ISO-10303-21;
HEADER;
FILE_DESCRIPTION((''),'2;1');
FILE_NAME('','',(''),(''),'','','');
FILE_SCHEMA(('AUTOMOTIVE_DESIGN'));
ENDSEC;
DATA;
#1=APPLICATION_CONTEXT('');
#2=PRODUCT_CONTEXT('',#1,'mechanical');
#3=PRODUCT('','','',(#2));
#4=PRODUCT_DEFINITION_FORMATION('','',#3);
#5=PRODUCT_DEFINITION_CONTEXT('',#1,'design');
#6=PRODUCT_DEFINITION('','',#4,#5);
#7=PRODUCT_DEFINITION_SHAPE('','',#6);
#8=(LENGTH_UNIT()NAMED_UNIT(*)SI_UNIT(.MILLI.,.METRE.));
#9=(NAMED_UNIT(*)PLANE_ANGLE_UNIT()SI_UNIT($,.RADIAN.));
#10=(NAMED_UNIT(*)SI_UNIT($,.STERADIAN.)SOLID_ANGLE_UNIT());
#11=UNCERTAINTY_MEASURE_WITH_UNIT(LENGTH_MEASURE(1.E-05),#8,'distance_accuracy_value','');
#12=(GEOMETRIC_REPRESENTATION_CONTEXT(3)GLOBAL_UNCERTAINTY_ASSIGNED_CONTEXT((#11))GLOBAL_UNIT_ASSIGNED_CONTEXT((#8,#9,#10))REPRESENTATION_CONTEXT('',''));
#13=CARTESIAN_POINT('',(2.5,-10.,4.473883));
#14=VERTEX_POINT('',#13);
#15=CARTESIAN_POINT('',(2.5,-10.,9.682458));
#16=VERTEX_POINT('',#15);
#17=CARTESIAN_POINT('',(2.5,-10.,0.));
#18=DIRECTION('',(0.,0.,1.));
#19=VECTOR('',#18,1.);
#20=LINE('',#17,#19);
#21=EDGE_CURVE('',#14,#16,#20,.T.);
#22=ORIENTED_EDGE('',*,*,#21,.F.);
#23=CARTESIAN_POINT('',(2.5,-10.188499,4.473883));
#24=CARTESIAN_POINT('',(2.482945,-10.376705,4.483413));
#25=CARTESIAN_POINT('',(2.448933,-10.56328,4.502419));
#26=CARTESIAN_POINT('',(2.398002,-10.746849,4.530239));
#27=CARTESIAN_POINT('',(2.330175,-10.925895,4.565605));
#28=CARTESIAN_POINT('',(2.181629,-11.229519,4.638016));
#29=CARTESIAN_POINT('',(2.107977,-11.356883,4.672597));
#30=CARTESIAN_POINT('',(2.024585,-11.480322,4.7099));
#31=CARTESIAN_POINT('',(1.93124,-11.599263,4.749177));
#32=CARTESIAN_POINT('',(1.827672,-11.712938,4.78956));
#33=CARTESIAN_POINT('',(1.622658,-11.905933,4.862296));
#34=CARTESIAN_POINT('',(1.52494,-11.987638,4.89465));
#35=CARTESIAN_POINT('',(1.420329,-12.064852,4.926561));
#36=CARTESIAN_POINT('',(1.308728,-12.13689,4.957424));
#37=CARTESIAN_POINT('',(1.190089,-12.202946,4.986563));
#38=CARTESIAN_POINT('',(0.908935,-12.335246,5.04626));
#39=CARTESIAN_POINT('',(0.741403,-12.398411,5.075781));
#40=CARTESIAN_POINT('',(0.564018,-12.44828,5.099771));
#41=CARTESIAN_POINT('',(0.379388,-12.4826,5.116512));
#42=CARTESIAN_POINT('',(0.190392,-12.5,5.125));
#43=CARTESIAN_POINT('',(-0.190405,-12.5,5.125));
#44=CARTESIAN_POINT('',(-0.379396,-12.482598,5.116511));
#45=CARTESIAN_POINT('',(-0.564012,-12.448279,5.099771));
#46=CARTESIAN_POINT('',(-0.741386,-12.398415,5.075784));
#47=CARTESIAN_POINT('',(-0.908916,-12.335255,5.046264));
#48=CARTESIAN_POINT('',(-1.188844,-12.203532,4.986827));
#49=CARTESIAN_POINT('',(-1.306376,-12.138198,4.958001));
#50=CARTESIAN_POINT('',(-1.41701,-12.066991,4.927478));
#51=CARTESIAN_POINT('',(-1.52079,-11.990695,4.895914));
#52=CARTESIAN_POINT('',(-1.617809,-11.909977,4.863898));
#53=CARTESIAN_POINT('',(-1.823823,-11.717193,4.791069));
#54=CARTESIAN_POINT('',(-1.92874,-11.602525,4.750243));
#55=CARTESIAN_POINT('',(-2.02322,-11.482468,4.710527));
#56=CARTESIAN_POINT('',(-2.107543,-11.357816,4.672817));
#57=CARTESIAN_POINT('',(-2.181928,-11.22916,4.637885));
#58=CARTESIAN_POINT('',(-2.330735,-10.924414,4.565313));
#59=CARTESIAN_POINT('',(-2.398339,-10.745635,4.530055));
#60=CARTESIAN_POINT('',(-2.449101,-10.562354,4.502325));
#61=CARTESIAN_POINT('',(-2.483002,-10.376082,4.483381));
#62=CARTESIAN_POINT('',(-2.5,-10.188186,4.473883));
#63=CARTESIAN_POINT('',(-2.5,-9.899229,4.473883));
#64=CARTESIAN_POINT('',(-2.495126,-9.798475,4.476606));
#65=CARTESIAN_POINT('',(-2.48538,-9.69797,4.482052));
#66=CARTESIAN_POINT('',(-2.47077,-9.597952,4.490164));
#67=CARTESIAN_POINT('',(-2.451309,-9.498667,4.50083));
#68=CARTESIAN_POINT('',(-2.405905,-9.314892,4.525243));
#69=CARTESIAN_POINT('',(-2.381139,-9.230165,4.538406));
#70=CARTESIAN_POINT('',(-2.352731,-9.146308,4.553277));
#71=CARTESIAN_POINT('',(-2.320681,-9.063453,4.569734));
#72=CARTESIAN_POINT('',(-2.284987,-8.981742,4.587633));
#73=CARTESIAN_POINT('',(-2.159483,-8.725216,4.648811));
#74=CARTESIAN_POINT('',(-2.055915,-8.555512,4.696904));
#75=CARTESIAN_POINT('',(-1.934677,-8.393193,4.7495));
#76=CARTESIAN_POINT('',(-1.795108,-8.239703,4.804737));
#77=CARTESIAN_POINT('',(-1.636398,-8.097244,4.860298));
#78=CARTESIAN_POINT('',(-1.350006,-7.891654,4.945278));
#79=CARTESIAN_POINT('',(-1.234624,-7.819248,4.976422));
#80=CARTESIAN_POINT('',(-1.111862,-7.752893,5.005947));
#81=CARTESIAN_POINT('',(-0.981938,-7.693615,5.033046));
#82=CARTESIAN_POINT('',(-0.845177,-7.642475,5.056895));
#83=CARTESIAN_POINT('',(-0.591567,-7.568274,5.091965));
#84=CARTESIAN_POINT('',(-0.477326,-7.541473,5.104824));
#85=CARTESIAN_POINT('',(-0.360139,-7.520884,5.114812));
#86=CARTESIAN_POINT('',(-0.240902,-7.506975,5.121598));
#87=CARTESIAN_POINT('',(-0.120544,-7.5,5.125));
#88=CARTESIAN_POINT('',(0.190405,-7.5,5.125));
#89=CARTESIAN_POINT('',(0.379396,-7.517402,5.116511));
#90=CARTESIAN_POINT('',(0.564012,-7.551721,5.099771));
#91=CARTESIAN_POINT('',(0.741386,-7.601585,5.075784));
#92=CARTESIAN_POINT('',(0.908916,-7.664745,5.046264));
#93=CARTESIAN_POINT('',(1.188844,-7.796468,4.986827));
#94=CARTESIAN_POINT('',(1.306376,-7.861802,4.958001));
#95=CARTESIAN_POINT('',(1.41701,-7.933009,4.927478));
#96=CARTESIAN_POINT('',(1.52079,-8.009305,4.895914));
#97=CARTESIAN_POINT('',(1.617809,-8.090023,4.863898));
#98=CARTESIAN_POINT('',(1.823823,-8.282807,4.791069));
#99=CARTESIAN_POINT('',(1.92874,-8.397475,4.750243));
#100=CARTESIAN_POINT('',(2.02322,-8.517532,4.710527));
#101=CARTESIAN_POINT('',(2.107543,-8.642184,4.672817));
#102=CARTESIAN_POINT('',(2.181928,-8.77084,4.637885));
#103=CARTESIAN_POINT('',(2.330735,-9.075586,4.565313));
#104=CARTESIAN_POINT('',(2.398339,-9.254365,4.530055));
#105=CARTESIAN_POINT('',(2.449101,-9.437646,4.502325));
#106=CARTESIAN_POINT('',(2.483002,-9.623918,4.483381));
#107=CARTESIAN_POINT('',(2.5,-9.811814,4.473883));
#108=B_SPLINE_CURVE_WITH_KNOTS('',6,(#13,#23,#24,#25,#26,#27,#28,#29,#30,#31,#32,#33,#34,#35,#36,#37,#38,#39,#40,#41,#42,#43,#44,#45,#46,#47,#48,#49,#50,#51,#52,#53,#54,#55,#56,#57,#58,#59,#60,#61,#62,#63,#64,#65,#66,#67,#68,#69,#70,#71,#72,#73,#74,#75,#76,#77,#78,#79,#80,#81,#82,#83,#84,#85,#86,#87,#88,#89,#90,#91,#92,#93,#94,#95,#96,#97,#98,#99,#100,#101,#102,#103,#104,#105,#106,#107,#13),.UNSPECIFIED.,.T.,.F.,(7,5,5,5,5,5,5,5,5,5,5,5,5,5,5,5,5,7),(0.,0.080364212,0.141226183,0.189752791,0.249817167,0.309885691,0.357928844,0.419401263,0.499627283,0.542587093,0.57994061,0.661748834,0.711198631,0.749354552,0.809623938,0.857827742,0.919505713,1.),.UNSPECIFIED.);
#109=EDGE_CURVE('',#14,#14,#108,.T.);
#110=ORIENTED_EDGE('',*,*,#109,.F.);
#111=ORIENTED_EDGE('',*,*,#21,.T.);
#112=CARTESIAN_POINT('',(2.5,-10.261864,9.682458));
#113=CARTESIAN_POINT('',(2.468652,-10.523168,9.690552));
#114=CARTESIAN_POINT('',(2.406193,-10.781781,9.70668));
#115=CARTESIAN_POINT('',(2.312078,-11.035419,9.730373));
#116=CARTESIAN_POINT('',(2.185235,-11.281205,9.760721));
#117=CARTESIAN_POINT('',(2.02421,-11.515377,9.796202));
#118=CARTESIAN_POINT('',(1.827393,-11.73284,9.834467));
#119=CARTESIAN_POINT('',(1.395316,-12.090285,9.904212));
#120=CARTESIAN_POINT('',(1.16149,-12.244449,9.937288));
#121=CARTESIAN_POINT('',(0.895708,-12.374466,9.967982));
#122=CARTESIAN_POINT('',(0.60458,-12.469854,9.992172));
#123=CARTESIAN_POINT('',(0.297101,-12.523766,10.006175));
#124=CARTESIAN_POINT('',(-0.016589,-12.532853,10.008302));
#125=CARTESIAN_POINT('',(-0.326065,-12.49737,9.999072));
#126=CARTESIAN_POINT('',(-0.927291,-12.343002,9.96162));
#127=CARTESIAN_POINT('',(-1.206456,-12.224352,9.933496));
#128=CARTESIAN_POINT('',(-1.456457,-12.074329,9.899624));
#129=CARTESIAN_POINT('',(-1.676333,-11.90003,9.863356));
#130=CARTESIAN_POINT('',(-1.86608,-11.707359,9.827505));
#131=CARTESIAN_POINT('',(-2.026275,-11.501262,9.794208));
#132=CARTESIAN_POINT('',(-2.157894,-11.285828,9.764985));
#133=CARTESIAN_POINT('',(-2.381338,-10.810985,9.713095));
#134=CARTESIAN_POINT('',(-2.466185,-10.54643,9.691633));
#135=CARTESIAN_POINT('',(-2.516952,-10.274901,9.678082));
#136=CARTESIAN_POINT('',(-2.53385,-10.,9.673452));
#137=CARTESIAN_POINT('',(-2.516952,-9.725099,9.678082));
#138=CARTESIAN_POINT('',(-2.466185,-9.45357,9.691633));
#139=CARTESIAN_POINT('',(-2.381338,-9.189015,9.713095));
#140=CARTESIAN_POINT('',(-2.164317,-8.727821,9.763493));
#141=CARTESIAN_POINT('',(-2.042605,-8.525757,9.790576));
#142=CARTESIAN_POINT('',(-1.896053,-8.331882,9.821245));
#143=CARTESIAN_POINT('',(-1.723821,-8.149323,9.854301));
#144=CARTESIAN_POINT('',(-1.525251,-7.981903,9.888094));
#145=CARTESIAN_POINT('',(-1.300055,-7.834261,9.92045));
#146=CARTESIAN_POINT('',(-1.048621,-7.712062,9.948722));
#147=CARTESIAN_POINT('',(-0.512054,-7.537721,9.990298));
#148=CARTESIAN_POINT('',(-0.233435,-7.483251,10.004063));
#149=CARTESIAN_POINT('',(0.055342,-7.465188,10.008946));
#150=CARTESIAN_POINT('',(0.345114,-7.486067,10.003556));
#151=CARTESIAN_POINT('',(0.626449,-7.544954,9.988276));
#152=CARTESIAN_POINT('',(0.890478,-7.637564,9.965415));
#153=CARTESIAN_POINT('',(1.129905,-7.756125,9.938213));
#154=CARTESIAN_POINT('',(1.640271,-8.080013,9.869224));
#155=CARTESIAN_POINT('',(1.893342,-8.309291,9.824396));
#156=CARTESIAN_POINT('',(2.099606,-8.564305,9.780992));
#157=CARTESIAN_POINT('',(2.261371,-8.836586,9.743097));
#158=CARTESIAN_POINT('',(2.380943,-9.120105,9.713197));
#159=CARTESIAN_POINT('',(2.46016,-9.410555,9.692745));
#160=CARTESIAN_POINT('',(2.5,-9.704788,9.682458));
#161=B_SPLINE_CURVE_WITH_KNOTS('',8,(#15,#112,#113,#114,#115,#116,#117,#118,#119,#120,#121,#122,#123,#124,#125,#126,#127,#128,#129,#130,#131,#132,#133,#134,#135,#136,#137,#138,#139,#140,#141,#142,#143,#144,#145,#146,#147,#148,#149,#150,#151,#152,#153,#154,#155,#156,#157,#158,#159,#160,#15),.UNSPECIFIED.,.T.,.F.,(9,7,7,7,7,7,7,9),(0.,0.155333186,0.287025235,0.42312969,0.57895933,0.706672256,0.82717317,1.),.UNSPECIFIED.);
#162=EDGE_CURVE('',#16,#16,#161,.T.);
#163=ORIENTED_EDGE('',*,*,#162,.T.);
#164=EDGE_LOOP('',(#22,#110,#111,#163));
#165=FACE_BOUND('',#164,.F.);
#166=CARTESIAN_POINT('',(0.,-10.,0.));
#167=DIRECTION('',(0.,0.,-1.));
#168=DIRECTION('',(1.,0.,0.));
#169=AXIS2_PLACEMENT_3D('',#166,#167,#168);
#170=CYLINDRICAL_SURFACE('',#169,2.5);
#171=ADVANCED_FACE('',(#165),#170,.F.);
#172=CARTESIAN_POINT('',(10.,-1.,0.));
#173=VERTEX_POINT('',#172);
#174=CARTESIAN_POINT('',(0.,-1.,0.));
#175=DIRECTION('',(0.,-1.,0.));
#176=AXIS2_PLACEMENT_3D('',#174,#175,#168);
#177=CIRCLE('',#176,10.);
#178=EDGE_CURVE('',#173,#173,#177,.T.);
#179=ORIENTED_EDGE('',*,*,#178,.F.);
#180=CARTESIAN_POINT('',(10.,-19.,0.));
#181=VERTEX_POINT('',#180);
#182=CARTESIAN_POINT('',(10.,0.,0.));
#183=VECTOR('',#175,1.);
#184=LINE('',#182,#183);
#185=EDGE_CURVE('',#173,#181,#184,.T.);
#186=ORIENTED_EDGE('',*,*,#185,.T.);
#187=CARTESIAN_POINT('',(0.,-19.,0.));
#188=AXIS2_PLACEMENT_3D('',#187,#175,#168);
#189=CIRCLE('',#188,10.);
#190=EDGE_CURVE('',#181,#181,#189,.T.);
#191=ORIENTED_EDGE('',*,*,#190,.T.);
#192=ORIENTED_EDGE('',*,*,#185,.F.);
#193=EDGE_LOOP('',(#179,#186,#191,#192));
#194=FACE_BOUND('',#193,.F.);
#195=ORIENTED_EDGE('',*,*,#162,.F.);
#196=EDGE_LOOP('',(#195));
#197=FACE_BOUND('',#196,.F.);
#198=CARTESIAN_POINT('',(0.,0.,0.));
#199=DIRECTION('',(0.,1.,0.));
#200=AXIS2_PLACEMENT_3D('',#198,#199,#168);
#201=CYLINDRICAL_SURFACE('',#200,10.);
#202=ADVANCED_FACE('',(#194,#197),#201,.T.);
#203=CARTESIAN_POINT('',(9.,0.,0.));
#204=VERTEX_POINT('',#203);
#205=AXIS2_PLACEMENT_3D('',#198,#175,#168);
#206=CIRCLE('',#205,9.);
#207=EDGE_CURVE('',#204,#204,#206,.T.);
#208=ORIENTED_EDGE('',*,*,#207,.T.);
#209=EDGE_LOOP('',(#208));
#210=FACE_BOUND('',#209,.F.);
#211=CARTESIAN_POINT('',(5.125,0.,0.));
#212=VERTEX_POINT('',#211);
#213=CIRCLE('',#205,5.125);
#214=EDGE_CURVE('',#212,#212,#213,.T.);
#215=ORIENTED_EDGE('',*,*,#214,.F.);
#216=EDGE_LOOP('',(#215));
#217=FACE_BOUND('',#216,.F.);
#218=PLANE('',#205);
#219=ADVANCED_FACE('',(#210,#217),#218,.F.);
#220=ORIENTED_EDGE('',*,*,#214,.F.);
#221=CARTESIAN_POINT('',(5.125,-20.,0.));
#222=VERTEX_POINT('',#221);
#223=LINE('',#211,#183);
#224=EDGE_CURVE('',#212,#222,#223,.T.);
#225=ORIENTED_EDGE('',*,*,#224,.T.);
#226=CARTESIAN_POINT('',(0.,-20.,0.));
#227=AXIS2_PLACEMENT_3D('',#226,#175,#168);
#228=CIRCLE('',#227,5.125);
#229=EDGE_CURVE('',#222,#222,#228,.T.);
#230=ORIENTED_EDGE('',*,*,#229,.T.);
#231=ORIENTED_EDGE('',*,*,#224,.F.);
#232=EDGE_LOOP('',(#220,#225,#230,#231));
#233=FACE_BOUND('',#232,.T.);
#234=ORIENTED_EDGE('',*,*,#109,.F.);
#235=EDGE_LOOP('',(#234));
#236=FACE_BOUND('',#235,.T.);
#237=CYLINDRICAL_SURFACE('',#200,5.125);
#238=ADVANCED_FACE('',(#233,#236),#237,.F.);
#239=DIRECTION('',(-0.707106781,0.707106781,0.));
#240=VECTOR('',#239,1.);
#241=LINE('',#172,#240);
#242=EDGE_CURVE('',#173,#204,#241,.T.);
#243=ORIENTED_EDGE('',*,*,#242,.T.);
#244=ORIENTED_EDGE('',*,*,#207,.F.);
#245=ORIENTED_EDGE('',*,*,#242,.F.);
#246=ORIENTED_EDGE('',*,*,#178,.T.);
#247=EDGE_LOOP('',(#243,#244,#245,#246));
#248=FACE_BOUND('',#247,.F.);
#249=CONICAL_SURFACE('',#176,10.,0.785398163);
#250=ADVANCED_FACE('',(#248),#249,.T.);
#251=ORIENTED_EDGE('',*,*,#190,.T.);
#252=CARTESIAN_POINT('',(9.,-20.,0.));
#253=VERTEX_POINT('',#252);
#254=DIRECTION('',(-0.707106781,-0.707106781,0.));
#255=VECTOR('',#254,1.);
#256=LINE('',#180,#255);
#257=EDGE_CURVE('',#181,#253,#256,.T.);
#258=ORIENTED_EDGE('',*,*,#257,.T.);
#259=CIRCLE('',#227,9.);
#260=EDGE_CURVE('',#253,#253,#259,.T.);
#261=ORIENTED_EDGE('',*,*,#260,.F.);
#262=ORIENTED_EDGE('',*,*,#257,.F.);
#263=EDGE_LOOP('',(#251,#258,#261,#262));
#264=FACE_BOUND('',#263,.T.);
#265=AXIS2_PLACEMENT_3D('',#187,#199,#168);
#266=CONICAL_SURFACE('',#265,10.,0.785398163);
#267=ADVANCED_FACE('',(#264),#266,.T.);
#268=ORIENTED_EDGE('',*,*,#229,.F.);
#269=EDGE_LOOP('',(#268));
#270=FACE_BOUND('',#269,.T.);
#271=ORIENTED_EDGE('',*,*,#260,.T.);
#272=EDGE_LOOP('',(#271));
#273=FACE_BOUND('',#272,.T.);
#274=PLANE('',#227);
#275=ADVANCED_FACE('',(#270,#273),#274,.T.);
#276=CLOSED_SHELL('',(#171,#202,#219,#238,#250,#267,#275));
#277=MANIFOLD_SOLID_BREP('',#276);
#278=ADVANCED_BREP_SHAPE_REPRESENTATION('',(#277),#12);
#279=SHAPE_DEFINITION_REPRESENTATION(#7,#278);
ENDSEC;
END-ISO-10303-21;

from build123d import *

# Parameters (mm, degrees)
F0_R     = 10
F0_R_2   = 5.125
F1_DEPTH = 20
F3_D     = 5
F3_DEPTH = 10.001
F4_SIZE  = 1


with BuildPart() as f1:
    # F0 (on Front) → F1 (new body)
    with BuildSketch(Plane.XZ):
        Circle(F0_R)
        Circle(F0_R_2, mode=Mode.SUBTRACT)
    extrude(amount=F1_DEPTH)

    # F3 (through all, one way)
    with BuildSketch(Plane(origin=(0, 0, 0), x_dir=(1, 0, 0), z_dir=(0, 0, -1))):
        with Locations((0, 10)):
            Circle(F3_D / 2)
    extrude(amount=-F3_DEPTH, mode=Mode.SUBTRACT)

    # F4
    f4_edges = [f1.edges().sort_by_distance(p)[0] for p in [
        (-10, -20, 0),
        (-10, 0, 0),
    ]]
    chamfer(f4_edges, length=F4_SIZE)


solid = f1.part
